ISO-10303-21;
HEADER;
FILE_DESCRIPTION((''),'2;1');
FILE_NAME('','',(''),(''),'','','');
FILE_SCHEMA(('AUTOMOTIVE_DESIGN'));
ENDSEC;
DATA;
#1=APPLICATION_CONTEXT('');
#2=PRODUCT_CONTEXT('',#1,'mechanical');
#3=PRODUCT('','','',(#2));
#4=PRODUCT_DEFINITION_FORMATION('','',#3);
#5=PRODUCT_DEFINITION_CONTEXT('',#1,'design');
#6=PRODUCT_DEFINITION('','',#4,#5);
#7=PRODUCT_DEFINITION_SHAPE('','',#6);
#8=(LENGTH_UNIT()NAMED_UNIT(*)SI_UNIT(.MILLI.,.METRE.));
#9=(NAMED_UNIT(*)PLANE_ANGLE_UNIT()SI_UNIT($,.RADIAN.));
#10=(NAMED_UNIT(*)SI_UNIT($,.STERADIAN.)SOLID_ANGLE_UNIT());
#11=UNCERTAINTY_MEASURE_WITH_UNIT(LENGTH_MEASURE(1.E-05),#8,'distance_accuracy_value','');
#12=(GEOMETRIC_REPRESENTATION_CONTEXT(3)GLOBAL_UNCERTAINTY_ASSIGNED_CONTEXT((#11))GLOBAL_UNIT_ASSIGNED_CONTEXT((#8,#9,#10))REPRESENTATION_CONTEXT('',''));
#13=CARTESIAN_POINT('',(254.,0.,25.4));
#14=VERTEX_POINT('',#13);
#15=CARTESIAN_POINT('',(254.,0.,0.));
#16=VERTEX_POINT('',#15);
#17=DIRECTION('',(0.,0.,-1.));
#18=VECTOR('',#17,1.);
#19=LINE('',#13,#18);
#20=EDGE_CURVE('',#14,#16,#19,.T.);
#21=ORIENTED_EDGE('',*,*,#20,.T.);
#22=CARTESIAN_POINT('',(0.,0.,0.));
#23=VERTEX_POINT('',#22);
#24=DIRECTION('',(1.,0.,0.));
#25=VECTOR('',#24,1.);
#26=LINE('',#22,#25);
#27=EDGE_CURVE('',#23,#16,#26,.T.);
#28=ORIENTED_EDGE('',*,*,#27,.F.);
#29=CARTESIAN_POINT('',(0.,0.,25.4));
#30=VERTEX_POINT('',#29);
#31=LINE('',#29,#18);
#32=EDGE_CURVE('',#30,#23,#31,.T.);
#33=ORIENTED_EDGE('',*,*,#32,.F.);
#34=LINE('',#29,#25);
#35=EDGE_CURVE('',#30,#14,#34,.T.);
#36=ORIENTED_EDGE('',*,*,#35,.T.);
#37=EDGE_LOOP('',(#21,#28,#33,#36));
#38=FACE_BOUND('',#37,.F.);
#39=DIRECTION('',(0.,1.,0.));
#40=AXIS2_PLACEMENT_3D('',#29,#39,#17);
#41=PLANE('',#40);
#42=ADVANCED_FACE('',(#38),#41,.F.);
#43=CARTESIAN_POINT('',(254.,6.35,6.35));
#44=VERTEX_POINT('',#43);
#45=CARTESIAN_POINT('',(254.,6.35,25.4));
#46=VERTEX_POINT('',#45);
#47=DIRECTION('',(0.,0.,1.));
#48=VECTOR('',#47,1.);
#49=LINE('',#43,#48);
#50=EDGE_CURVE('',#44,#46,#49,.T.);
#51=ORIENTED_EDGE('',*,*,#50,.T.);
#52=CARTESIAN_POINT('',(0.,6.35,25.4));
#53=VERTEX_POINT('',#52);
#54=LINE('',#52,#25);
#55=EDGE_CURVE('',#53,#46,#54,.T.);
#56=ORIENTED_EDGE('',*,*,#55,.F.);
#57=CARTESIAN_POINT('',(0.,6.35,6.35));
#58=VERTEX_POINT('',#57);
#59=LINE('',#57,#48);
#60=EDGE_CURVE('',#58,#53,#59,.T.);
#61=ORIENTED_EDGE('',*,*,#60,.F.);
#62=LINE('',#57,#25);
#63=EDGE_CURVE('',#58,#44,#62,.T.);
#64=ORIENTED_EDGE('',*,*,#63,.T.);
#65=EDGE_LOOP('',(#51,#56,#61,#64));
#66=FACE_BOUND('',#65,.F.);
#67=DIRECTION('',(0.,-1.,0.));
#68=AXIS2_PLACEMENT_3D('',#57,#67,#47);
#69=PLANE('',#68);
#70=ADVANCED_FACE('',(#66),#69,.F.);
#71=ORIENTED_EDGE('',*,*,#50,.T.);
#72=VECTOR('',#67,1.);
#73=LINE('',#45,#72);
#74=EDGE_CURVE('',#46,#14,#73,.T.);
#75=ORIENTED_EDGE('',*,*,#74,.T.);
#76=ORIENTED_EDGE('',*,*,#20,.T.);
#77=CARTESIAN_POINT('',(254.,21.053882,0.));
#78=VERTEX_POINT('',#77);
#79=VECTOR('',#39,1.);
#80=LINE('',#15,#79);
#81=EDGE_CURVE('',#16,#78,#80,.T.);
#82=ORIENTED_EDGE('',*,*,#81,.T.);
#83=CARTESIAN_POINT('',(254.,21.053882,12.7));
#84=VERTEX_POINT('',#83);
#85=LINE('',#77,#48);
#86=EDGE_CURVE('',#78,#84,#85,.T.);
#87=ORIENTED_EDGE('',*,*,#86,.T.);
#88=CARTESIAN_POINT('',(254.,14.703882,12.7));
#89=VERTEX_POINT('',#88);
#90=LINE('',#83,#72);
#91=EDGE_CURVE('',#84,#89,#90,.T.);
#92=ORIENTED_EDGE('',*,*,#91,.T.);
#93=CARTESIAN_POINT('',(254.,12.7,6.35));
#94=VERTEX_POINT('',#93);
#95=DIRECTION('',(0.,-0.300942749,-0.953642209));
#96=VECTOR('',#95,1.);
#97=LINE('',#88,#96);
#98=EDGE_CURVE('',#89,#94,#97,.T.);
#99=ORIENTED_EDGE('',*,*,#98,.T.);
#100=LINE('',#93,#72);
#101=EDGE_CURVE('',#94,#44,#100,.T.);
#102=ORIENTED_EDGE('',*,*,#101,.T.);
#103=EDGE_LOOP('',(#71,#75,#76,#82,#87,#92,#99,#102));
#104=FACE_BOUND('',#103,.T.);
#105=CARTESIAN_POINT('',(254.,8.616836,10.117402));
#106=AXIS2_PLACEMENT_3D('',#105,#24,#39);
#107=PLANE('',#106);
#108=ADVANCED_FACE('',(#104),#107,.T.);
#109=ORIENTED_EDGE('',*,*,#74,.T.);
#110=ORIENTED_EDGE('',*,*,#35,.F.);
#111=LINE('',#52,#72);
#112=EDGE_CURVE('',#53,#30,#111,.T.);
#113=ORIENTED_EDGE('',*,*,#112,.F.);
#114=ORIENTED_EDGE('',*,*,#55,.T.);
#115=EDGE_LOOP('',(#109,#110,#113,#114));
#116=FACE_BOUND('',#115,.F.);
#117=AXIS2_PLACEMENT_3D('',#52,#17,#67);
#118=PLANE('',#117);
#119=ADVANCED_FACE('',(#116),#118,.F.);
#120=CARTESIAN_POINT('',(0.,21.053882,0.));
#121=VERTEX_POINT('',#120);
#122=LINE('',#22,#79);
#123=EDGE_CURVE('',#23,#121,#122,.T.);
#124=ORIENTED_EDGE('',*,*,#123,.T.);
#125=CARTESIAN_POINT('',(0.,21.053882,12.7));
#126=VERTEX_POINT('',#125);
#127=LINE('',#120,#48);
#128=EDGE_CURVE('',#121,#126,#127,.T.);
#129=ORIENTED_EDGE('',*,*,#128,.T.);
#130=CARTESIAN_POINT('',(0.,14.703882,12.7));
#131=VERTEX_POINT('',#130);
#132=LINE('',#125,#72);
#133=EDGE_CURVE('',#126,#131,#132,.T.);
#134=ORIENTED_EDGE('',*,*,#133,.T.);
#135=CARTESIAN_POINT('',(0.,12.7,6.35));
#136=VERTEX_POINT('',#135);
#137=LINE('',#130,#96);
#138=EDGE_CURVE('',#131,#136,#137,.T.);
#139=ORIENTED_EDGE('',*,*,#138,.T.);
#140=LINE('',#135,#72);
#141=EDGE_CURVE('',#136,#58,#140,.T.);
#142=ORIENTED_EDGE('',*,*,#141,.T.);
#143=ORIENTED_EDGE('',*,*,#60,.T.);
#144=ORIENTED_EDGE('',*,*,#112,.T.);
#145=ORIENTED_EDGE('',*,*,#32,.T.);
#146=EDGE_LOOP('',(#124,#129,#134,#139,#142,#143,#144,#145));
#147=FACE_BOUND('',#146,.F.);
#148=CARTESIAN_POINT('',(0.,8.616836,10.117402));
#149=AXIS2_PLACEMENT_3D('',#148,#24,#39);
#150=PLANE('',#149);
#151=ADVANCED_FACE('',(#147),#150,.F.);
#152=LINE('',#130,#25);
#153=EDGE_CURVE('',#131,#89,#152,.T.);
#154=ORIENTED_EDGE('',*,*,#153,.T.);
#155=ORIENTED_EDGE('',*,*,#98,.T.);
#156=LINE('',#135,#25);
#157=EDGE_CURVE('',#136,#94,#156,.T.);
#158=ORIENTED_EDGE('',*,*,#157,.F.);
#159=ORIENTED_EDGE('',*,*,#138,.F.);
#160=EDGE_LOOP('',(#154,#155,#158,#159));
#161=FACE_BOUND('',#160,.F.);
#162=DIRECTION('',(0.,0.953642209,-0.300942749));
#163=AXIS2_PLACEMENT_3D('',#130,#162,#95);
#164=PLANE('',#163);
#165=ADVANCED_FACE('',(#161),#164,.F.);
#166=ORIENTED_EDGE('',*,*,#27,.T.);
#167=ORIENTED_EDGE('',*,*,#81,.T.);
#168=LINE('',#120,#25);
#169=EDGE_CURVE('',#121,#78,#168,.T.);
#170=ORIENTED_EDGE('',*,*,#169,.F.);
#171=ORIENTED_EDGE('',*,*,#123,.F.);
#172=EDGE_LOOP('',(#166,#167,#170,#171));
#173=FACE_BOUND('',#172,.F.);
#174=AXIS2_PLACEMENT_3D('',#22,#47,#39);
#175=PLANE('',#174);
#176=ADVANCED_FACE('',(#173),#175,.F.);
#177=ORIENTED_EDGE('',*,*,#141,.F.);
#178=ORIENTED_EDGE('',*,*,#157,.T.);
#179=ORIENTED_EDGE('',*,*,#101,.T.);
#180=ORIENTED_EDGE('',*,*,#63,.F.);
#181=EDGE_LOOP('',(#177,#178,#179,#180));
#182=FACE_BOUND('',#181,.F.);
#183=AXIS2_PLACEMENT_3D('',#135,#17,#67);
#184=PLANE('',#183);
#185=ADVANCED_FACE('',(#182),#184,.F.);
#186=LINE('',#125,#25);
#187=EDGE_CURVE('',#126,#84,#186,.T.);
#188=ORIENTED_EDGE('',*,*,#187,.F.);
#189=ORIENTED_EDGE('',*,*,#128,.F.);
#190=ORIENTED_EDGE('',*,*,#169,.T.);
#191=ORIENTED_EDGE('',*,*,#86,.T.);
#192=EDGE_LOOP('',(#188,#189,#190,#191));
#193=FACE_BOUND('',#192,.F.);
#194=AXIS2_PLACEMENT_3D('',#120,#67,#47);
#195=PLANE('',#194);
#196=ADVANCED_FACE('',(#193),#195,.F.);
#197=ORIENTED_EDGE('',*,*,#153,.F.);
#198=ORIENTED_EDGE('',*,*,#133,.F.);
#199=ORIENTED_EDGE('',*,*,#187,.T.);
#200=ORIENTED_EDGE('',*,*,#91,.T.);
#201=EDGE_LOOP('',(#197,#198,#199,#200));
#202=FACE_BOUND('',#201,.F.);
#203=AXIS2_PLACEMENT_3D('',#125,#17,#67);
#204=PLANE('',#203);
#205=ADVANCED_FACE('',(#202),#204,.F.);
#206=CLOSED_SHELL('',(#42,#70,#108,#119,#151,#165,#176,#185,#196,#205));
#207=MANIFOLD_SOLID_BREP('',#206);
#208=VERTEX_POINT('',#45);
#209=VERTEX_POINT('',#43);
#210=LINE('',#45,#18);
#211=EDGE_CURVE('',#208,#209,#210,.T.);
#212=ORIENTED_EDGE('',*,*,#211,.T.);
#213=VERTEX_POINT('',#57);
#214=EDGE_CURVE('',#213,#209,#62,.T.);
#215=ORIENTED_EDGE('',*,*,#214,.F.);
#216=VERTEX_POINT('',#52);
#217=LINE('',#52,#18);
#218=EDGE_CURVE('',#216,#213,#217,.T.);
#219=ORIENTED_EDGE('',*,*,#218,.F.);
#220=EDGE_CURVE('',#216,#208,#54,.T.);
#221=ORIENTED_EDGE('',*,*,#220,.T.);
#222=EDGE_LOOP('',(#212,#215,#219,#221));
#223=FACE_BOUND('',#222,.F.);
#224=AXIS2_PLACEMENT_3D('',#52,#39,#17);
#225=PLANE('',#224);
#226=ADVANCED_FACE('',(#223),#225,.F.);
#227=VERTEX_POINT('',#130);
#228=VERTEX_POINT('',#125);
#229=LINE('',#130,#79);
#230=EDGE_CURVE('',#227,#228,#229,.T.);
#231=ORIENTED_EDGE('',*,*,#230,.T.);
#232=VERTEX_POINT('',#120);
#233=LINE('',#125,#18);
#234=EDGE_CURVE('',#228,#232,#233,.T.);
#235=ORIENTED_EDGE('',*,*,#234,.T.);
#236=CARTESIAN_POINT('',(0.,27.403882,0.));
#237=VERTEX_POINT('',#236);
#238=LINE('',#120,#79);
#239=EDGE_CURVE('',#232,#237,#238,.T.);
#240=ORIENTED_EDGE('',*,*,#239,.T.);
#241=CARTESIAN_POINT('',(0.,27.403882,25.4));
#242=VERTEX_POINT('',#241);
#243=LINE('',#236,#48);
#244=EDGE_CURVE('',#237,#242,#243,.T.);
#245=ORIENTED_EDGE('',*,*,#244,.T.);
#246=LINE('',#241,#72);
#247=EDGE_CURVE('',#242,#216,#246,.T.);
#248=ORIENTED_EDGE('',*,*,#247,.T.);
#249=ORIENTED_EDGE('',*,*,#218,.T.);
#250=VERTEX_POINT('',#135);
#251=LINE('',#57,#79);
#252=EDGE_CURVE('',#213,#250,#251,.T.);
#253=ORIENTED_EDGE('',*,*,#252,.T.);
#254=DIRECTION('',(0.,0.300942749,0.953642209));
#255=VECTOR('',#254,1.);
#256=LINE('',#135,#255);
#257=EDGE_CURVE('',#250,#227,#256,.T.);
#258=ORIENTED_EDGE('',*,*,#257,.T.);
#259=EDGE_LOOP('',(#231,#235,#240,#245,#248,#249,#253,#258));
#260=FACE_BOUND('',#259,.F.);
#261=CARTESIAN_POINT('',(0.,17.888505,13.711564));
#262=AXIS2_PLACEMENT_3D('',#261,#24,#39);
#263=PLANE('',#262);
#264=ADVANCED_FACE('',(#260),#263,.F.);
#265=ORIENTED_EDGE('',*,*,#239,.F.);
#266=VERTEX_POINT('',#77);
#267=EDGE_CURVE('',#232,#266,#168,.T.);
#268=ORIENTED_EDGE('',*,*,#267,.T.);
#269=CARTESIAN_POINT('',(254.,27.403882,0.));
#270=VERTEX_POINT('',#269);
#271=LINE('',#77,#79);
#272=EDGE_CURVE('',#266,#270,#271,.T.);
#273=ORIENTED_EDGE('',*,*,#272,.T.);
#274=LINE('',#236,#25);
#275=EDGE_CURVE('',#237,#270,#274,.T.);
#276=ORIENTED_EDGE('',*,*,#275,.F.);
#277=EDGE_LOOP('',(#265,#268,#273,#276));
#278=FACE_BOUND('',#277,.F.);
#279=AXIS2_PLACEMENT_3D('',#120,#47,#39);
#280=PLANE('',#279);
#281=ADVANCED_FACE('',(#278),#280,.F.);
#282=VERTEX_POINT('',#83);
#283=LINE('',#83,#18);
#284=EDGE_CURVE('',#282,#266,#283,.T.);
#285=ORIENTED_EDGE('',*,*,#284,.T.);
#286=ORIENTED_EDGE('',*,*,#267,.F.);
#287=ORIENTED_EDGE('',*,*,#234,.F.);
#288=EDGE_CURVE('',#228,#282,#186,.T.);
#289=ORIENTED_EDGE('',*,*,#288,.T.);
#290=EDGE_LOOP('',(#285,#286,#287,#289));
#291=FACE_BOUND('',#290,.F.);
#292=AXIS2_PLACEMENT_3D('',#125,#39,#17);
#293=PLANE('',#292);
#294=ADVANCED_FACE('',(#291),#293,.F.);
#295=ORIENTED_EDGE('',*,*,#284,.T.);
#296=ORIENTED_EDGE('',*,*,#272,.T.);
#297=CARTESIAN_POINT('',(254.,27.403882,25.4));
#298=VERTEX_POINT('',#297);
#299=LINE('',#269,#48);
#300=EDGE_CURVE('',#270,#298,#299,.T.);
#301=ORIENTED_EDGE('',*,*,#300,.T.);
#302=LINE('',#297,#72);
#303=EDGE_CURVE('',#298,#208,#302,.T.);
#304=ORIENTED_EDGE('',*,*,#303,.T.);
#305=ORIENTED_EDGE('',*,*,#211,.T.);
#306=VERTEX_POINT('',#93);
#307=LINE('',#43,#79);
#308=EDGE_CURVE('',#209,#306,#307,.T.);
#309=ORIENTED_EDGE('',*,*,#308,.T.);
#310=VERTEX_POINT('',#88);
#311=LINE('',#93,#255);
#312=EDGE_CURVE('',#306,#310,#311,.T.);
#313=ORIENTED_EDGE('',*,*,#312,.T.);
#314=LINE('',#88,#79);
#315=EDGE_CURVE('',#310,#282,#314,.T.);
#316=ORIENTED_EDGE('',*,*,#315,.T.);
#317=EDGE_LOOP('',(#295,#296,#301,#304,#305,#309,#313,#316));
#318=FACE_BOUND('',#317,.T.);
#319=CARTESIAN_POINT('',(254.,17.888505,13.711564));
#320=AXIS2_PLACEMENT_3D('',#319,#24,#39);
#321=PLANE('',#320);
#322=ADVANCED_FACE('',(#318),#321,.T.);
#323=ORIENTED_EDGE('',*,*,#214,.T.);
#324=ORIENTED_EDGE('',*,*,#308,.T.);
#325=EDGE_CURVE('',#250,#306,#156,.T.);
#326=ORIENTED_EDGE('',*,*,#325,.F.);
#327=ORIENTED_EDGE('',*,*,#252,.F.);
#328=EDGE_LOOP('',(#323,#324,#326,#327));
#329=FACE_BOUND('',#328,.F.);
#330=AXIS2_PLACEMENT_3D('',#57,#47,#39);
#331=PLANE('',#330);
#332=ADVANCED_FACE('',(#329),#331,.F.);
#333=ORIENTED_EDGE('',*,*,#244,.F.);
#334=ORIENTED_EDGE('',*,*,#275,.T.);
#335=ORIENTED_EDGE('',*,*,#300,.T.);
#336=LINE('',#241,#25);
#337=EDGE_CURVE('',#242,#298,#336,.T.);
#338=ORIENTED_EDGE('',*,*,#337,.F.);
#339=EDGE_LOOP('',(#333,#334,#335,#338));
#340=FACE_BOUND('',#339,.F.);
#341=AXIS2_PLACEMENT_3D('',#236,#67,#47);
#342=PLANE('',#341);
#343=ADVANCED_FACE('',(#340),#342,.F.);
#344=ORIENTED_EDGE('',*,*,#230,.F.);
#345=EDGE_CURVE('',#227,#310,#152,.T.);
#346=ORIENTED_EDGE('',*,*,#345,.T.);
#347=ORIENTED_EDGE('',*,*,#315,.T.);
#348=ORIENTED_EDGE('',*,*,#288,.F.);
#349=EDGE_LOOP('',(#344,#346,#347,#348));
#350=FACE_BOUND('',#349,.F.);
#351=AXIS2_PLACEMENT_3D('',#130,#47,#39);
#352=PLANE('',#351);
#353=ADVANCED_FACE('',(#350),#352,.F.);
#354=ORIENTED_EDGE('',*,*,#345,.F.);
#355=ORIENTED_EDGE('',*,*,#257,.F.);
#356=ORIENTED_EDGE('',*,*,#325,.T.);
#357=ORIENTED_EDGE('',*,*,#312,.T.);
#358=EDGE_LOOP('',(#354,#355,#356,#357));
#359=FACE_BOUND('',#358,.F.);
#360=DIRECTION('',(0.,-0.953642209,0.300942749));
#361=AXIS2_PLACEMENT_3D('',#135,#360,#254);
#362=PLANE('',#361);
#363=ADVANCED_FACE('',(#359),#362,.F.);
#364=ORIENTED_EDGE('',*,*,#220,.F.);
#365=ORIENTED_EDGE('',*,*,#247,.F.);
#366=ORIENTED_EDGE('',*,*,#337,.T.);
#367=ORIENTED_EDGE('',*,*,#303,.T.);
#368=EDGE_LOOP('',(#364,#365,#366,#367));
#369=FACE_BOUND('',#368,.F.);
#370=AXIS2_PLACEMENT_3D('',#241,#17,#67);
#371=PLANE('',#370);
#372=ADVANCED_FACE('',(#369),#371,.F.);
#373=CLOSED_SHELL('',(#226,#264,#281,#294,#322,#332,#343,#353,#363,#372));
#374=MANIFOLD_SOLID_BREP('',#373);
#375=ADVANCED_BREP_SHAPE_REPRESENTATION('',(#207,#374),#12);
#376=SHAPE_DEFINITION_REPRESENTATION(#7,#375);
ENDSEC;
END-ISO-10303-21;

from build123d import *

# Parameters (mm, degrees)
F1_DEPTH = 254
F3_DEPTH = 254


with BuildPart() as f1:
    # F0 (on Right) → F1 (new body)
    with BuildSketch(Plane.YZ):
        Polygon((0, 25.4), (0, 0), (21.053882, 0), (21.053882, 12.7), (14.703882, 12.7), (12.7, 6.35), (6.35, 6.35), (6.35, 25.4), align=None)
    extrude(amount=F1_DEPTH)


with BuildPart() as f3:
    # F2 (on Right) → F3 (new body)
    with BuildSketch(Plane.YZ):
        Polygon((6.35, 25.4), (6.35, 6.35), (12.7, 6.35), (14.703882, 12.7), (21.053882, 12.7), (21.053882, 0), (27.403882, 0), (27.403882, 25.4), align=None)
    extrude(amount=F3_DEPTH)


solid = Compound([f1.part, f3.part])
